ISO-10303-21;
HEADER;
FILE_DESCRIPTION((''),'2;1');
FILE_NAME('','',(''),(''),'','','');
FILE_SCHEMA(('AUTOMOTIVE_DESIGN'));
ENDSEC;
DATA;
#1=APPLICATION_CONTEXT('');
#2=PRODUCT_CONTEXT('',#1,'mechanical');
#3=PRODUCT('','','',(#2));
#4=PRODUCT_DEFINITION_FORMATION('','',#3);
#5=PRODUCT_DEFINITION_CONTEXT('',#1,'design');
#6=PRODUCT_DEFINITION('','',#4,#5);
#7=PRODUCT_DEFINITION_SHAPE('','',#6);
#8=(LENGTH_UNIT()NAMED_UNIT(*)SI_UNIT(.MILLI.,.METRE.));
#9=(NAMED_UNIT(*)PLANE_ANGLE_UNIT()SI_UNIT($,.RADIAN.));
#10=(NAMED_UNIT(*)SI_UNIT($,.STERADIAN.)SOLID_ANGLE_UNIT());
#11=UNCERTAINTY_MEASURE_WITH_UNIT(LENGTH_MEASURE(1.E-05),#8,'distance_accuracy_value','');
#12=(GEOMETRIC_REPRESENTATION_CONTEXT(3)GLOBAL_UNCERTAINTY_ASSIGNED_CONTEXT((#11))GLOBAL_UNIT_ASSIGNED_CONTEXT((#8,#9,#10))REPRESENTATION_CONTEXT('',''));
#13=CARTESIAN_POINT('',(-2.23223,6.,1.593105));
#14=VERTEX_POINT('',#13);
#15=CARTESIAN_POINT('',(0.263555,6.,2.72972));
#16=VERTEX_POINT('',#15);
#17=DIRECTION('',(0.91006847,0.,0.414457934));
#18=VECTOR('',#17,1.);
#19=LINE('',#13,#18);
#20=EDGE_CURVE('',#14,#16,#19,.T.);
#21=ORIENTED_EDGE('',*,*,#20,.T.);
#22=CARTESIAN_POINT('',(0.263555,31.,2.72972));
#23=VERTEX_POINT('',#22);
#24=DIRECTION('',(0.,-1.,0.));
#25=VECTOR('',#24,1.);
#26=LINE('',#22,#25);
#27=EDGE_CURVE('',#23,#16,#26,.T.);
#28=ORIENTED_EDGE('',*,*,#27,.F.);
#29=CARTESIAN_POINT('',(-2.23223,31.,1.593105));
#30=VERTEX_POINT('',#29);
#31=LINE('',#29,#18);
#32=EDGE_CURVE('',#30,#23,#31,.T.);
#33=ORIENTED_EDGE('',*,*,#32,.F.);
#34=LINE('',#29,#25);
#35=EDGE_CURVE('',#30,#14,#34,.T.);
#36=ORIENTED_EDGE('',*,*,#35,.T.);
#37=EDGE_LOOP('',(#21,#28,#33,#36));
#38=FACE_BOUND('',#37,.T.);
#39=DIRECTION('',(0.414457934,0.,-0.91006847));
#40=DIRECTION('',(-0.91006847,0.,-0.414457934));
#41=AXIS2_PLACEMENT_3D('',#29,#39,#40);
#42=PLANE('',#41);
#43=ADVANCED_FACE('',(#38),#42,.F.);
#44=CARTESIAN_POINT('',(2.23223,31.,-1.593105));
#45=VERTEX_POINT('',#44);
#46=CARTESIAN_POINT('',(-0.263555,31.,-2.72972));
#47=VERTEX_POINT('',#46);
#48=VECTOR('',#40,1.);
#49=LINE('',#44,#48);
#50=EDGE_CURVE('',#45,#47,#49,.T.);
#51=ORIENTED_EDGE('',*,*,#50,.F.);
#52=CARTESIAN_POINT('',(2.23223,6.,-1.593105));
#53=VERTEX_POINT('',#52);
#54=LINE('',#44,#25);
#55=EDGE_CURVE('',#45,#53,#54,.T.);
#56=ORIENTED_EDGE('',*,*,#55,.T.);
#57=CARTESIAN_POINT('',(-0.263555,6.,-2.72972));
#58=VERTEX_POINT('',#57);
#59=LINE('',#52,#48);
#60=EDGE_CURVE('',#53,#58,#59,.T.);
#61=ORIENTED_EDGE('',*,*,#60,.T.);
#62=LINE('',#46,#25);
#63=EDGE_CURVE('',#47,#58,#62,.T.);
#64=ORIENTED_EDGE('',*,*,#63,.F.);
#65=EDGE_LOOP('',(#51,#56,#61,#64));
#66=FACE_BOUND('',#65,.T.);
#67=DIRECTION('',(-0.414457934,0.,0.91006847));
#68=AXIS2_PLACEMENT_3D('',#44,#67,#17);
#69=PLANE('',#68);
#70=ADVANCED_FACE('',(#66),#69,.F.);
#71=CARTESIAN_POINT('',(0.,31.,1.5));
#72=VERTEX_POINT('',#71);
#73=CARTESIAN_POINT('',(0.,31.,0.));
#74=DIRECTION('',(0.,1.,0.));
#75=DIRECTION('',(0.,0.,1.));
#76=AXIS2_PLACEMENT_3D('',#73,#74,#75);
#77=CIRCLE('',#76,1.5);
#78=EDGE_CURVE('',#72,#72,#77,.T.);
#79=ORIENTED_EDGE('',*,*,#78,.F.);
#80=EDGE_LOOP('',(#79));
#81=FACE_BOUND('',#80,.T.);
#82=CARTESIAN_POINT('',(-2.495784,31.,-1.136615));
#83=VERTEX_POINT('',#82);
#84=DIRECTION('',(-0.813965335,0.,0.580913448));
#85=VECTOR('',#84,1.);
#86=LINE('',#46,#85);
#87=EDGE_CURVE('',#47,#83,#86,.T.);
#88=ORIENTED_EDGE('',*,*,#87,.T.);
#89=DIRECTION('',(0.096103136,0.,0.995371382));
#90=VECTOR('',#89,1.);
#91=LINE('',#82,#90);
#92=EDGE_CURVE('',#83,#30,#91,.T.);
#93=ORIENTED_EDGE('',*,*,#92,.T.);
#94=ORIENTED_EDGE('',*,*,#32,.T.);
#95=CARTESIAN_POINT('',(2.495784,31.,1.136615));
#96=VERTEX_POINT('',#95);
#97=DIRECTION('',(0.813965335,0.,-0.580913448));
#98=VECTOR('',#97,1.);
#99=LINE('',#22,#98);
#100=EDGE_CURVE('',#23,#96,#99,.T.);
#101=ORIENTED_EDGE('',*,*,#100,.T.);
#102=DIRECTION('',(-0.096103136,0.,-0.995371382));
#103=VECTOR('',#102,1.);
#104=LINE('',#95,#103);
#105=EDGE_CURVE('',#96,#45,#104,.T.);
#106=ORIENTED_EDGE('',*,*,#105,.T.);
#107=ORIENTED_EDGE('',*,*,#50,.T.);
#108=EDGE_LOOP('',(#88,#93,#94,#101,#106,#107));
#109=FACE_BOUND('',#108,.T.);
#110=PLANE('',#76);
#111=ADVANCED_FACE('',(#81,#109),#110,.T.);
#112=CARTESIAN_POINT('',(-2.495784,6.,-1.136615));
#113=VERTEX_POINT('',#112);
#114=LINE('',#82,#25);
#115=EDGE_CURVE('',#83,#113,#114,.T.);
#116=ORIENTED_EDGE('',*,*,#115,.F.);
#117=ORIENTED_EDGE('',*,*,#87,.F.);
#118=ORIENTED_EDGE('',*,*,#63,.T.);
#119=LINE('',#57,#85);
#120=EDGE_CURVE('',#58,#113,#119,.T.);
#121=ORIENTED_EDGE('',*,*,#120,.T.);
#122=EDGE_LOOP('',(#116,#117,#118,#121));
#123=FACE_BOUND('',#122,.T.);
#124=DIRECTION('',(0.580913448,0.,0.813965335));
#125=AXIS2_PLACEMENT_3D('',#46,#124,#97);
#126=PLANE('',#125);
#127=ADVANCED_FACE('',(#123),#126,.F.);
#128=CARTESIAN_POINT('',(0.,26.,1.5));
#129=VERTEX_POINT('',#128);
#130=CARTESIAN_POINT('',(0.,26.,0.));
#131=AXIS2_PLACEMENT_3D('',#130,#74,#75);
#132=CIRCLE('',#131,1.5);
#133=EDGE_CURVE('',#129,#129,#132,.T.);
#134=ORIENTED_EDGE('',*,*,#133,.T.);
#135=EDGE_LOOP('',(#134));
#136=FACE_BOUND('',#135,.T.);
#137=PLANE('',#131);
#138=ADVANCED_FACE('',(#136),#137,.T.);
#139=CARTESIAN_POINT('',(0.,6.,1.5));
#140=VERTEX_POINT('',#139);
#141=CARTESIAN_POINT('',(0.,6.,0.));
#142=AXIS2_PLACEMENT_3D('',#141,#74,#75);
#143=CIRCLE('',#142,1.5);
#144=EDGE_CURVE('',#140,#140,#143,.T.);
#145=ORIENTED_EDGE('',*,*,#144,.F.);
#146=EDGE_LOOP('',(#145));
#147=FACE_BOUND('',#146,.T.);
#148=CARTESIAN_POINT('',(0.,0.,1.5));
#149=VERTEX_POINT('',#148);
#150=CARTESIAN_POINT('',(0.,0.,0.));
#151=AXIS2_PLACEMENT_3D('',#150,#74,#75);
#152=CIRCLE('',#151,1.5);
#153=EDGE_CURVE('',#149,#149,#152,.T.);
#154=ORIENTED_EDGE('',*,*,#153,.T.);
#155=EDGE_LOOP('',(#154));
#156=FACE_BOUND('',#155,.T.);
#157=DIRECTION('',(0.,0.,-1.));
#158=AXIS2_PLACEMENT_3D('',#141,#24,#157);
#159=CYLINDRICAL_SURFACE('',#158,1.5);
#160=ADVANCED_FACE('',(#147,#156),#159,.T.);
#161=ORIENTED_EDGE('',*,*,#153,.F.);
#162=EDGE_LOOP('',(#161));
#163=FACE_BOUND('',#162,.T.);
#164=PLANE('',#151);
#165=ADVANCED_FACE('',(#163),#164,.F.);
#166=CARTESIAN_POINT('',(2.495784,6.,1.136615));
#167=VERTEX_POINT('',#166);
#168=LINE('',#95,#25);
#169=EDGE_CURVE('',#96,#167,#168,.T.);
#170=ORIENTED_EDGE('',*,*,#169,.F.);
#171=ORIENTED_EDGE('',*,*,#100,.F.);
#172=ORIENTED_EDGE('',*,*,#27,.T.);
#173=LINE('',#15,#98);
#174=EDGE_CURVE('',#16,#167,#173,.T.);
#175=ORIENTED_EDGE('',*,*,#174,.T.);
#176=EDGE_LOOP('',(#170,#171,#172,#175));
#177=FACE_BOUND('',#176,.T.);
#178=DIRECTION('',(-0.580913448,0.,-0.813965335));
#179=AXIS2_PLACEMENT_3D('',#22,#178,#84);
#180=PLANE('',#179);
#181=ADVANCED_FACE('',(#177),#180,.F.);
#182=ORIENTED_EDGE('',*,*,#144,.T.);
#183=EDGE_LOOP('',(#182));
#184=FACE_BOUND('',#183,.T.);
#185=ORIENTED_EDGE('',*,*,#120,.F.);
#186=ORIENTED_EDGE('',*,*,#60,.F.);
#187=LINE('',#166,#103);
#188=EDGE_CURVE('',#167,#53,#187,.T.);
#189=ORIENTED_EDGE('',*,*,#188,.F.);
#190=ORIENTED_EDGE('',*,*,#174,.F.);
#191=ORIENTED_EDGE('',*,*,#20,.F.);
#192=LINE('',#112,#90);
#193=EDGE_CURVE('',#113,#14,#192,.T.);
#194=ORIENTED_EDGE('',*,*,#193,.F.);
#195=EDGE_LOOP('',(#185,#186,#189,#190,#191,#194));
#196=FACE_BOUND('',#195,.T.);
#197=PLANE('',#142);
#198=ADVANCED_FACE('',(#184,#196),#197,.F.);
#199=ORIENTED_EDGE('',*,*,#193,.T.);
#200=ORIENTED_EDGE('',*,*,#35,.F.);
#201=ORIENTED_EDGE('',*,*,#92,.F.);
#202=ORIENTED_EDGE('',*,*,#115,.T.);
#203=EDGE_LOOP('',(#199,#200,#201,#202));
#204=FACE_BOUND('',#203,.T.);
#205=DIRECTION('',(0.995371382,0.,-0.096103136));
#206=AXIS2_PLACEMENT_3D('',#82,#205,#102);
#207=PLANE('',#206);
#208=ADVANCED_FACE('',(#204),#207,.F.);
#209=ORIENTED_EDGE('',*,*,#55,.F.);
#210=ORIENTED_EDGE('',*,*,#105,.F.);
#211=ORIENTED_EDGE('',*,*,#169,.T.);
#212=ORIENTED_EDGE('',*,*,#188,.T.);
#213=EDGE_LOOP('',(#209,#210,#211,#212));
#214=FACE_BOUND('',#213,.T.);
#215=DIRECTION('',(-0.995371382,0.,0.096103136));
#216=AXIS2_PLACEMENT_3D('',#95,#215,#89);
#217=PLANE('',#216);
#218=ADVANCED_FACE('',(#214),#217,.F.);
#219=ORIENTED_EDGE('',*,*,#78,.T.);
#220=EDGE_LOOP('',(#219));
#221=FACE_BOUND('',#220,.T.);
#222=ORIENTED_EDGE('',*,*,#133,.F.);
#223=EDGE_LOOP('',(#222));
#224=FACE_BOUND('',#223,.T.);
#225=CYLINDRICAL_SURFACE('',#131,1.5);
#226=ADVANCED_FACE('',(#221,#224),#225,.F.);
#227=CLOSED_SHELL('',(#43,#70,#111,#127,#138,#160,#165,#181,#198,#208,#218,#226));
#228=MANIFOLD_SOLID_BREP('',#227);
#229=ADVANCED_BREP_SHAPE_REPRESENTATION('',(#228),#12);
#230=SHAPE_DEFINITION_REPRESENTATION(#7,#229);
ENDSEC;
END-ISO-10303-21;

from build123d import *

# Parameters (mm, degrees)
SKETCH_1_R          = 1.5
EXTRUDE_1_DEPTH     = 6
EXTRUDE_2_DEPTH     = 25
CUT_EXTRUDE_START   = -5
SKETCH_3_R          = 1.5
CUT_EXTRUDE_1_DEPTH = 5


with BuildPart() as part:
    # 草图1 → 凸台-拉伸1 (new body)
    with BuildSketch(Plane(origin=(0, 0, 0), x_dir=(1, 0, 0), z_dir=(0, 1, 0))):
        with Locations(Location((0, 0, 0), (0, 0, 270))):
            Circle(SKETCH_1_R)
    extrude(amount=EXTRUDE_1_DEPTH)

    # 草图2 → 凸台-拉伸2 (add)
    with BuildSketch(Plane(origin=(0, 6, 0), x_dir=(1, 0, 0), z_dir=(0, 1, 0))):
        Polygon((2.495784313, -1.136615149), (2.23222975, 1.593105043), (-0.263554563, 2.729720192), (-2.495784313, 1.136615149), (-2.23222975, -1.593105043), (0.263554563, -2.729720192), align=None)
    extrude(amount=EXTRUDE_2_DEPTH)

    # 草图3 → 切除-拉伸1 (cut)
    with BuildSketch(Plane(origin=(0, 31, 0), x_dir=(1, 0, 0), z_dir=(0, 1, 0)).offset(CUT_EXTRUDE_START)):
        with Locations(Location((0, 0, 0), (0, 0, 270))):
            Circle(SKETCH_3_R)
    extrude(amount=CUT_EXTRUDE_1_DEPTH, mode=Mode.SUBTRACT)


solid = part.part
